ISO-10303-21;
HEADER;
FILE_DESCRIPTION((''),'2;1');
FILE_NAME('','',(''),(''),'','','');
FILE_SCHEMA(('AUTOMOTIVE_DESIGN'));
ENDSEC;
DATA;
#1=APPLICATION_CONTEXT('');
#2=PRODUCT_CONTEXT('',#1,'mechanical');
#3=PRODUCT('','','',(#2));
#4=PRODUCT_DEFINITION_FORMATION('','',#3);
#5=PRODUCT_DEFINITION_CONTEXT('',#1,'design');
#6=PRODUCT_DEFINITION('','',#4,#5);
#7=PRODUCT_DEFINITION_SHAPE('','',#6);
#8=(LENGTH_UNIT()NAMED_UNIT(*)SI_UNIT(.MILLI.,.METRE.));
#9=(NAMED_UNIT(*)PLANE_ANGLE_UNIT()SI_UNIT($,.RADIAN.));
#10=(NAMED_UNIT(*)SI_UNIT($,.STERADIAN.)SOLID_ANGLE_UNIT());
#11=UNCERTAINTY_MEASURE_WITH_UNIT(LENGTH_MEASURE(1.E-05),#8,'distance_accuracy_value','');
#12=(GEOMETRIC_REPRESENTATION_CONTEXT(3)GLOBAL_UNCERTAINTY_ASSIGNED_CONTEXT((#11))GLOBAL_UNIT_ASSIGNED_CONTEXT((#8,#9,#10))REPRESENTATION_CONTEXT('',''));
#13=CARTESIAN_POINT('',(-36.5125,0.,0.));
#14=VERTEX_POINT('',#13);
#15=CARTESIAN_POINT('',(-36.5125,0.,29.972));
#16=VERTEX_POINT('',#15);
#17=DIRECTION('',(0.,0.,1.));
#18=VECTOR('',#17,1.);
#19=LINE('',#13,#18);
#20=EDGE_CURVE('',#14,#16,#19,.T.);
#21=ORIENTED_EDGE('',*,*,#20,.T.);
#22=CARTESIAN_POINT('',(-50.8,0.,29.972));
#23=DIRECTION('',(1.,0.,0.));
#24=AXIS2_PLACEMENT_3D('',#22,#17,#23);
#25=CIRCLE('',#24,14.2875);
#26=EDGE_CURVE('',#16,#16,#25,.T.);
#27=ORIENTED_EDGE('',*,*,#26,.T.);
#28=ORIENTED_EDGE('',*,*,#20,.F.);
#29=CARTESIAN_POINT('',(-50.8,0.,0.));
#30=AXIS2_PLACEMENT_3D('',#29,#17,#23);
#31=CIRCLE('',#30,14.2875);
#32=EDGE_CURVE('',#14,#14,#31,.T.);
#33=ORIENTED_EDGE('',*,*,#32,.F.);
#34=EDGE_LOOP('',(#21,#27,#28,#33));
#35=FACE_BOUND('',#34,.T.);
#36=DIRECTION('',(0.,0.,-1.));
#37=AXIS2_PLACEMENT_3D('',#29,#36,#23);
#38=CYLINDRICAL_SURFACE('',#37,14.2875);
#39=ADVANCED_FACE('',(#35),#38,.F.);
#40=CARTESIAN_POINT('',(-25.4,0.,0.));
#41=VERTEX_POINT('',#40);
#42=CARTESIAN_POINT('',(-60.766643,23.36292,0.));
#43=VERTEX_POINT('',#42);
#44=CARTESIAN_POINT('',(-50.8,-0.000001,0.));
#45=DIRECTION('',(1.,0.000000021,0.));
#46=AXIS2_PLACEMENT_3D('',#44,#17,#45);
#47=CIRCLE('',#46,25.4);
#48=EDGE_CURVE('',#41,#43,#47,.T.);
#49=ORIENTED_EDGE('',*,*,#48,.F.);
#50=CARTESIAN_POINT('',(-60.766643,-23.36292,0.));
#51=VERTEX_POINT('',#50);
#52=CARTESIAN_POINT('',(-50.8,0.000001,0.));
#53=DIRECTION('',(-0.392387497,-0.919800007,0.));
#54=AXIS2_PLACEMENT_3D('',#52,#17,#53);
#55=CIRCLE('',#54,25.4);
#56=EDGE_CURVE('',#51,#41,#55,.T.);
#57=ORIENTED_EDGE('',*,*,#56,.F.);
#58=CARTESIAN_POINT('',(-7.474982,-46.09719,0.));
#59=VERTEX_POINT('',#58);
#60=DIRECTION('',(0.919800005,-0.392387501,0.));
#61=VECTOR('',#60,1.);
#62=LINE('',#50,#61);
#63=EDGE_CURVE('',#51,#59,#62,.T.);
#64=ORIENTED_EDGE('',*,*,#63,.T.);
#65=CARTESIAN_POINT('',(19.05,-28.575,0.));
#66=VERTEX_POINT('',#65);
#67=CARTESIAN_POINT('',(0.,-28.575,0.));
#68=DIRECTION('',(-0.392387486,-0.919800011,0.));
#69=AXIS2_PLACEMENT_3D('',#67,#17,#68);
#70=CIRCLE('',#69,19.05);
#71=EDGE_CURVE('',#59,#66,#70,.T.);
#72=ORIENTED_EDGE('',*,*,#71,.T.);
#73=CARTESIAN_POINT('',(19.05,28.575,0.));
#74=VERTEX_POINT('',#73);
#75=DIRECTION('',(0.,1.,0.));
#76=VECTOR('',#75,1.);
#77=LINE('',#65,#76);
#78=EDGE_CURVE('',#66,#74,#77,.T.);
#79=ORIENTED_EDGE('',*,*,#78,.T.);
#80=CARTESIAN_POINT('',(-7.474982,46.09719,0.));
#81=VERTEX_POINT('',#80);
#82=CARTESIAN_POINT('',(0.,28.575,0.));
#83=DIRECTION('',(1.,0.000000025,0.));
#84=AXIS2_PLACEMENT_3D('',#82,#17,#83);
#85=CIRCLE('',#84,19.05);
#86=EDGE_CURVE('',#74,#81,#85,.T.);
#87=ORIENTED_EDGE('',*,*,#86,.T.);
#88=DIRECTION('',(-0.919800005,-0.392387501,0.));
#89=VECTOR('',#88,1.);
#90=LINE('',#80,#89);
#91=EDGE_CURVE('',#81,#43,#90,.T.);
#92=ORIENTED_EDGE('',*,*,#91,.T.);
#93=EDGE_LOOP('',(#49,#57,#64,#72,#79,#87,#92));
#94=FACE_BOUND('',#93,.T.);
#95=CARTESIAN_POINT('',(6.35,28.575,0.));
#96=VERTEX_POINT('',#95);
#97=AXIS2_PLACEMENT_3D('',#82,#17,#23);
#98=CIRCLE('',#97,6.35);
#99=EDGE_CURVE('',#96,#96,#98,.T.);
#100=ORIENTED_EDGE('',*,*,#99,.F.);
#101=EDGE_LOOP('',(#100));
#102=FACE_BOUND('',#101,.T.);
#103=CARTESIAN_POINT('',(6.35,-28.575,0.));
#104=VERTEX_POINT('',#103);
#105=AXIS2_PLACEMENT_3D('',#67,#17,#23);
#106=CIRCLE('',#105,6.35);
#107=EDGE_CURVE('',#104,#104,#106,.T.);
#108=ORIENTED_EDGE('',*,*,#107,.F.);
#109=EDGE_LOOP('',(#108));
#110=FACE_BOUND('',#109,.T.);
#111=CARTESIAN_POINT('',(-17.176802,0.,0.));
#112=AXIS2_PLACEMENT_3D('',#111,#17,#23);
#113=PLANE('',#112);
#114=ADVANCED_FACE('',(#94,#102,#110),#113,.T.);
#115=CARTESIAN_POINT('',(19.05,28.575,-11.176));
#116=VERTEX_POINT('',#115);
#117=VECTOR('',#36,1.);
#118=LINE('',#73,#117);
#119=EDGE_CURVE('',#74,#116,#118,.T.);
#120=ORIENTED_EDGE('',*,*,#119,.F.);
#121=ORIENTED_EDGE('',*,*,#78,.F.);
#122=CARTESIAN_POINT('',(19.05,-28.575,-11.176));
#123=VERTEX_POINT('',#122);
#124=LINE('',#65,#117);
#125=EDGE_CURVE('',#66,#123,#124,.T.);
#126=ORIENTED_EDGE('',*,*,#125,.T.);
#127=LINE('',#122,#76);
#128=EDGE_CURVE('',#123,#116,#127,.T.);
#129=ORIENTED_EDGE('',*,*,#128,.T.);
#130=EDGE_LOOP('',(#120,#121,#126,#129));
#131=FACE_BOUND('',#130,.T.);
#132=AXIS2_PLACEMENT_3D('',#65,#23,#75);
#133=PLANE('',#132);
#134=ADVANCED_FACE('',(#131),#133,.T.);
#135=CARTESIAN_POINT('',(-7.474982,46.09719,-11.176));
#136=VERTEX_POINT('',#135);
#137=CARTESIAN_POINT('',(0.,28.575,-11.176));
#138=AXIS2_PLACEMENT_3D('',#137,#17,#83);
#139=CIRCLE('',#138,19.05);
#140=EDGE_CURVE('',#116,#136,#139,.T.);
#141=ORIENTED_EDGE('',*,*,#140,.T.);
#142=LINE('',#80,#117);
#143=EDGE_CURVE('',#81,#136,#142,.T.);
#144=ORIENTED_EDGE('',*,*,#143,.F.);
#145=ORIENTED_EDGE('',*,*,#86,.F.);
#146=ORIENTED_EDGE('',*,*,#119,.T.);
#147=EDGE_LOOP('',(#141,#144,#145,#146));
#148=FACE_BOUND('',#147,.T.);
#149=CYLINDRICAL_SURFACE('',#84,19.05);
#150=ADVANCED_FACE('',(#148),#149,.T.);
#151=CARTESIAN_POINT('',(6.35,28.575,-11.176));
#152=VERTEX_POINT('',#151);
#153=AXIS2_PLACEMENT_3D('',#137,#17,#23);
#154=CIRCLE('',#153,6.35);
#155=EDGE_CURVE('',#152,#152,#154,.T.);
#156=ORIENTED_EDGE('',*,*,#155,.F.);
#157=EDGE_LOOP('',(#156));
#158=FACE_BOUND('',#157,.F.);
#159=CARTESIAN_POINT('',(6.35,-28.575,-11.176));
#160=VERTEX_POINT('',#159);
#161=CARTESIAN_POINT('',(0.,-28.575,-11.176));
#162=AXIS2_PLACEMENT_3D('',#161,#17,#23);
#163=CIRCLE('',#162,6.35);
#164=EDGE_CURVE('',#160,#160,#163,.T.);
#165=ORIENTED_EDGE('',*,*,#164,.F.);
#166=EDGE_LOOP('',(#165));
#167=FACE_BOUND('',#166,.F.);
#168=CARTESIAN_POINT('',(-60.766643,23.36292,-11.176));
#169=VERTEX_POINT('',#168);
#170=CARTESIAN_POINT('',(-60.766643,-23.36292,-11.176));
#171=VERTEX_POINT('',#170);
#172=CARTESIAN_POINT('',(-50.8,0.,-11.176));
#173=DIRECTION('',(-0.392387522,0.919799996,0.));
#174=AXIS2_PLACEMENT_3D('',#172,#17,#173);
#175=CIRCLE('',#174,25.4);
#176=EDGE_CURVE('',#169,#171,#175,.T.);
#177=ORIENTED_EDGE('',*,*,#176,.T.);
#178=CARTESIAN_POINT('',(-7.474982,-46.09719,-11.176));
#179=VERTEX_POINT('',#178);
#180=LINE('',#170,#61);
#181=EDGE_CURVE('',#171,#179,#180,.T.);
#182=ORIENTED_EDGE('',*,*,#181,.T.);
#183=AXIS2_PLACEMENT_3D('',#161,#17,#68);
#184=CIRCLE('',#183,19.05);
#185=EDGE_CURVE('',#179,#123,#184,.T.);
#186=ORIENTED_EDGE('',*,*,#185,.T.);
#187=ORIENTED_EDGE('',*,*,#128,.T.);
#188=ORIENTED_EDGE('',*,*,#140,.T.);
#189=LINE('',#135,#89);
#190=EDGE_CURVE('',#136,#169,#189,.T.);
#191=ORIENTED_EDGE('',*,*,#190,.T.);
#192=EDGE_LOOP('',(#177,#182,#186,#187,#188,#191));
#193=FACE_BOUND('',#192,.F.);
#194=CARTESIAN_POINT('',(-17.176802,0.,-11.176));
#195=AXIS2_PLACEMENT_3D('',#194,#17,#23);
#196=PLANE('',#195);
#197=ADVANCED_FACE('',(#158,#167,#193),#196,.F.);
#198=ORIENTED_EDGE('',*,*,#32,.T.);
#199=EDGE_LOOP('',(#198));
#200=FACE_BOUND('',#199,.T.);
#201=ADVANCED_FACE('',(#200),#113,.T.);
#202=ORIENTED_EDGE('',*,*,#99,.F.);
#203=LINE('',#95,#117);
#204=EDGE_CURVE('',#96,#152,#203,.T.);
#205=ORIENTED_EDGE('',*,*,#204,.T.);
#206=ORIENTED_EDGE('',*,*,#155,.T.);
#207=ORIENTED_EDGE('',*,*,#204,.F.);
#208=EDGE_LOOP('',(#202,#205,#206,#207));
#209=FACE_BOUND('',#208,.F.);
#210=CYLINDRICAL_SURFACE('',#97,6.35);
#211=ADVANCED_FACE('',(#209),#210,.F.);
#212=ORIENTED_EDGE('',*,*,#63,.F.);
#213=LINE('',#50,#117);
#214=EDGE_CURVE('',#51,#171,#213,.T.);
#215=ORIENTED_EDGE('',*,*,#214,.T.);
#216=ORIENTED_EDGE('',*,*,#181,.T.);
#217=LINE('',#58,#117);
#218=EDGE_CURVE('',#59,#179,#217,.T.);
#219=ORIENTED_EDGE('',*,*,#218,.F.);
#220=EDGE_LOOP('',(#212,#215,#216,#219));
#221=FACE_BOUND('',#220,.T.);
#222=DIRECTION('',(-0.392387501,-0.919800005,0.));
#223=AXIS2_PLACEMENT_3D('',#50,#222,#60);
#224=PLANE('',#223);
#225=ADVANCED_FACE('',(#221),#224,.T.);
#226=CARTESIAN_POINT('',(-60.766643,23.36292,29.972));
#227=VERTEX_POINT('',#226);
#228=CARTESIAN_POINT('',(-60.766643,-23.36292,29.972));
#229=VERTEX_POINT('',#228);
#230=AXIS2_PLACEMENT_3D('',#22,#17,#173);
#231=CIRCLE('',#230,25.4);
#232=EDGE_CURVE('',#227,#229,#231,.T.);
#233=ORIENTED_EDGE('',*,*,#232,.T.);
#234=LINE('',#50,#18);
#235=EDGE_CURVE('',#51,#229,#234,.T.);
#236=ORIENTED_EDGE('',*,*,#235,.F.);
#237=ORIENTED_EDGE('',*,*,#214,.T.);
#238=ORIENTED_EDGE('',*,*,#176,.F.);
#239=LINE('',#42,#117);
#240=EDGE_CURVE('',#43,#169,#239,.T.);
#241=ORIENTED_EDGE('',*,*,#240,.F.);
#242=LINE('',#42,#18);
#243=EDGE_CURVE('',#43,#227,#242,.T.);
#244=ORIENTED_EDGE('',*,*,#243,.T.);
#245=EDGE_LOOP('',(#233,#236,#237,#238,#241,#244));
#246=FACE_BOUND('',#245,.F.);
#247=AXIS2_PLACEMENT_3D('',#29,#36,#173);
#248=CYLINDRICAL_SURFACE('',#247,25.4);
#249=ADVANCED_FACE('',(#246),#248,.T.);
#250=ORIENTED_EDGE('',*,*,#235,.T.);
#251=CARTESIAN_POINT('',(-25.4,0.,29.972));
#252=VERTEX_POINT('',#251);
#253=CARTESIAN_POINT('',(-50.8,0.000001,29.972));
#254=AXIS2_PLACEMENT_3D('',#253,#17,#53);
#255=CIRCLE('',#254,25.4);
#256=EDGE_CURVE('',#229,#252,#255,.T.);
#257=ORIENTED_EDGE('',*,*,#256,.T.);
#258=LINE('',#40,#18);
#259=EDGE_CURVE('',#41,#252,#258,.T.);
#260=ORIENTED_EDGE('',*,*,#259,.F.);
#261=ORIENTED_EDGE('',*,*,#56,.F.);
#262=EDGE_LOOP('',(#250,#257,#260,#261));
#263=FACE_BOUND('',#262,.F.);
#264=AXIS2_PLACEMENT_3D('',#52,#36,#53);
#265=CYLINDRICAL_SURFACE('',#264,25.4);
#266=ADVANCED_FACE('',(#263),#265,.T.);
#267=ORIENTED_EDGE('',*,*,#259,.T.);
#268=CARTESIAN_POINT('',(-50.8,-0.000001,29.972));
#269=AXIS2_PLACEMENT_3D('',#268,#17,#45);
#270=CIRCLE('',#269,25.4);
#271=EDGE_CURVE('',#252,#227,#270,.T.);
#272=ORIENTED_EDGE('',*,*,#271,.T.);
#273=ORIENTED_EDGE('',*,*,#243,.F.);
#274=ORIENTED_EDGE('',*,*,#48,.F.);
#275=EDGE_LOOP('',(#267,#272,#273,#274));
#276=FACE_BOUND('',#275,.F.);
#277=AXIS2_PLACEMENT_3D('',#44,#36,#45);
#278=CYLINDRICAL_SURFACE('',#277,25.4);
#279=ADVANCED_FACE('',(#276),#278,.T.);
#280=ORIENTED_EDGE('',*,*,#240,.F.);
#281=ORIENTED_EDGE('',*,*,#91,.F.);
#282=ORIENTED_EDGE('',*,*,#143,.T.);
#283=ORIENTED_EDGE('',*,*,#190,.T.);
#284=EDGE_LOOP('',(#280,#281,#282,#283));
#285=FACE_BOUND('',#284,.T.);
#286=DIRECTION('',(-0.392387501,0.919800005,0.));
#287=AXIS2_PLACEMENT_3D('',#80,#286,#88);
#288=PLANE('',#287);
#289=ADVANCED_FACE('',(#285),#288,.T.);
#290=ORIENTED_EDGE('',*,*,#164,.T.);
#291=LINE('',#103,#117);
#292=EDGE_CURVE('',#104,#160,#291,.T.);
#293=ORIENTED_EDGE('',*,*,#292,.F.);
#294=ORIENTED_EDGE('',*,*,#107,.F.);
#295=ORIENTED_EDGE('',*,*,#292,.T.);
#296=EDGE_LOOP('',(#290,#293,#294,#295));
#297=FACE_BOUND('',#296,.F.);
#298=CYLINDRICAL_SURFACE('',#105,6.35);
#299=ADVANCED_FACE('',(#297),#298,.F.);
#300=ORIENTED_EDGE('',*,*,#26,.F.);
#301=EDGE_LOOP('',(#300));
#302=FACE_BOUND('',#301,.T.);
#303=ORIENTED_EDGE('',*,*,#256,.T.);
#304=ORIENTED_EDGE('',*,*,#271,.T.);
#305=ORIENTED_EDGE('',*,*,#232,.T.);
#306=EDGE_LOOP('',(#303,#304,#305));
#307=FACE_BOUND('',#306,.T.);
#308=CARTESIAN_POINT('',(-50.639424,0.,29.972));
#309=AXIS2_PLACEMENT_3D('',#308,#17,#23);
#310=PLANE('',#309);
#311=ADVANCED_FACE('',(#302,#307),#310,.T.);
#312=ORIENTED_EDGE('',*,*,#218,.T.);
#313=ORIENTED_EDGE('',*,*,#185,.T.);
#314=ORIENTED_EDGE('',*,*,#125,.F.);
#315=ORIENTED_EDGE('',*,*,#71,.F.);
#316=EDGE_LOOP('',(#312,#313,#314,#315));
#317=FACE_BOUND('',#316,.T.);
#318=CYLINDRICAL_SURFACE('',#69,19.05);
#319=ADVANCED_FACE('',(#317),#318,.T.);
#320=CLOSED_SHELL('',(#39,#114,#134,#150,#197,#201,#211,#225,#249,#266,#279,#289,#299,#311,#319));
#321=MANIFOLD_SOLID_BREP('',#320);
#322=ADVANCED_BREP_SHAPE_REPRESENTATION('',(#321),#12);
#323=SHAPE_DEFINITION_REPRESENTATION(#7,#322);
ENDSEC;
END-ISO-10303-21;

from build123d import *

# Parameters (mm, degrees)
F0_R     = 6.35
F0_R_2   = 14.2875
F1_DEPTH = 11.176
F2_DEPTH = 29.972


with BuildPart() as f1:
    # F0 (on Top) → F1 (new body)
    with BuildSketch(Plane.XY):
        with BuildLine():
            ThreePointArc((-60.766643, 23.36292), (-36.79987, 21.193309), (-25.4, 0))
            ThreePointArc((-25.4, 0), (-36.79987, -21.193309), (-60.766643, -23.36292))
            Line((-60.766643, -23.36292), (-7.474982, -46.09719))
            ThreePointArc((-7.474982, -46.09719), (-10.500097, -12.680018), (19.05, -28.575))
            Line((19.05, -28.575), (19.05, 28.575))
            ThreePointArc((19.05, 28.575), (-10.500097, 12.680018), (-7.474982, 46.09719))
            Line((-7.474982, 46.09719), (-60.766643, 23.36292))
        make_face()
        with BuildLine():
            ThreePointArc((19.05, 28.575), (10.500097, 44.469982), (-7.474982, 46.09719))
            ThreePointArc((-7.474982, 46.09719), (-10.500097, 12.680018), (19.05, 28.575))
        make_face()
        with Locations((0, 28.575)):
            Circle(F0_R, mode=Mode.SUBTRACT)
        with BuildLine():
            ThreePointArc((19.05, -28.575), (-10.500097, -12.680018), (-7.474982, -46.09719))
            ThreePointArc((-7.474982, -46.09719), (10.500097, -44.469982), (19.05, -28.575))
        make_face()
        with Locations((0, -28.575)):
            Circle(F0_R, mode=Mode.SUBTRACT)
        with BuildLine():
            ThreePointArc((-60.766643, -23.36292), (-36.79987, -21.193309), (-25.4, 0))
            ThreePointArc((-25.4, 0), (-36.79987, 21.193309), (-60.766643, 23.36292))
            ThreePointArc((-60.766643, 23.36292), (-76.2, 0), (-60.766643, -23.36292))
        make_face()
        with Locations((-50.8, 0)):
            Circle(F0_R_2, mode=Mode.SUBTRACT)
        with Locations((-50.8, 0)):
            Circle(F0_R_2)
    extrude(amount=-F1_DEPTH)

    # F0 (on Top) → F2 (join)
    with BuildSketch(Plane.XY):
        with BuildLine():
            ThreePointArc((-60.766643, -23.36292), (-36.79987, -21.193309), (-25.4, 0))
            ThreePointArc((-25.4, 0), (-36.79987, 21.193309), (-60.766643, 23.36292))
            ThreePointArc((-60.766643, 23.36292), (-76.2, 0), (-60.766643, -23.36292))
        make_face()
        with Locations((-50.8, 0)):
            Circle(F0_R_2, mode=Mode.SUBTRACT)
    extrude(amount=F2_DEPTH)


solid = f1.part
